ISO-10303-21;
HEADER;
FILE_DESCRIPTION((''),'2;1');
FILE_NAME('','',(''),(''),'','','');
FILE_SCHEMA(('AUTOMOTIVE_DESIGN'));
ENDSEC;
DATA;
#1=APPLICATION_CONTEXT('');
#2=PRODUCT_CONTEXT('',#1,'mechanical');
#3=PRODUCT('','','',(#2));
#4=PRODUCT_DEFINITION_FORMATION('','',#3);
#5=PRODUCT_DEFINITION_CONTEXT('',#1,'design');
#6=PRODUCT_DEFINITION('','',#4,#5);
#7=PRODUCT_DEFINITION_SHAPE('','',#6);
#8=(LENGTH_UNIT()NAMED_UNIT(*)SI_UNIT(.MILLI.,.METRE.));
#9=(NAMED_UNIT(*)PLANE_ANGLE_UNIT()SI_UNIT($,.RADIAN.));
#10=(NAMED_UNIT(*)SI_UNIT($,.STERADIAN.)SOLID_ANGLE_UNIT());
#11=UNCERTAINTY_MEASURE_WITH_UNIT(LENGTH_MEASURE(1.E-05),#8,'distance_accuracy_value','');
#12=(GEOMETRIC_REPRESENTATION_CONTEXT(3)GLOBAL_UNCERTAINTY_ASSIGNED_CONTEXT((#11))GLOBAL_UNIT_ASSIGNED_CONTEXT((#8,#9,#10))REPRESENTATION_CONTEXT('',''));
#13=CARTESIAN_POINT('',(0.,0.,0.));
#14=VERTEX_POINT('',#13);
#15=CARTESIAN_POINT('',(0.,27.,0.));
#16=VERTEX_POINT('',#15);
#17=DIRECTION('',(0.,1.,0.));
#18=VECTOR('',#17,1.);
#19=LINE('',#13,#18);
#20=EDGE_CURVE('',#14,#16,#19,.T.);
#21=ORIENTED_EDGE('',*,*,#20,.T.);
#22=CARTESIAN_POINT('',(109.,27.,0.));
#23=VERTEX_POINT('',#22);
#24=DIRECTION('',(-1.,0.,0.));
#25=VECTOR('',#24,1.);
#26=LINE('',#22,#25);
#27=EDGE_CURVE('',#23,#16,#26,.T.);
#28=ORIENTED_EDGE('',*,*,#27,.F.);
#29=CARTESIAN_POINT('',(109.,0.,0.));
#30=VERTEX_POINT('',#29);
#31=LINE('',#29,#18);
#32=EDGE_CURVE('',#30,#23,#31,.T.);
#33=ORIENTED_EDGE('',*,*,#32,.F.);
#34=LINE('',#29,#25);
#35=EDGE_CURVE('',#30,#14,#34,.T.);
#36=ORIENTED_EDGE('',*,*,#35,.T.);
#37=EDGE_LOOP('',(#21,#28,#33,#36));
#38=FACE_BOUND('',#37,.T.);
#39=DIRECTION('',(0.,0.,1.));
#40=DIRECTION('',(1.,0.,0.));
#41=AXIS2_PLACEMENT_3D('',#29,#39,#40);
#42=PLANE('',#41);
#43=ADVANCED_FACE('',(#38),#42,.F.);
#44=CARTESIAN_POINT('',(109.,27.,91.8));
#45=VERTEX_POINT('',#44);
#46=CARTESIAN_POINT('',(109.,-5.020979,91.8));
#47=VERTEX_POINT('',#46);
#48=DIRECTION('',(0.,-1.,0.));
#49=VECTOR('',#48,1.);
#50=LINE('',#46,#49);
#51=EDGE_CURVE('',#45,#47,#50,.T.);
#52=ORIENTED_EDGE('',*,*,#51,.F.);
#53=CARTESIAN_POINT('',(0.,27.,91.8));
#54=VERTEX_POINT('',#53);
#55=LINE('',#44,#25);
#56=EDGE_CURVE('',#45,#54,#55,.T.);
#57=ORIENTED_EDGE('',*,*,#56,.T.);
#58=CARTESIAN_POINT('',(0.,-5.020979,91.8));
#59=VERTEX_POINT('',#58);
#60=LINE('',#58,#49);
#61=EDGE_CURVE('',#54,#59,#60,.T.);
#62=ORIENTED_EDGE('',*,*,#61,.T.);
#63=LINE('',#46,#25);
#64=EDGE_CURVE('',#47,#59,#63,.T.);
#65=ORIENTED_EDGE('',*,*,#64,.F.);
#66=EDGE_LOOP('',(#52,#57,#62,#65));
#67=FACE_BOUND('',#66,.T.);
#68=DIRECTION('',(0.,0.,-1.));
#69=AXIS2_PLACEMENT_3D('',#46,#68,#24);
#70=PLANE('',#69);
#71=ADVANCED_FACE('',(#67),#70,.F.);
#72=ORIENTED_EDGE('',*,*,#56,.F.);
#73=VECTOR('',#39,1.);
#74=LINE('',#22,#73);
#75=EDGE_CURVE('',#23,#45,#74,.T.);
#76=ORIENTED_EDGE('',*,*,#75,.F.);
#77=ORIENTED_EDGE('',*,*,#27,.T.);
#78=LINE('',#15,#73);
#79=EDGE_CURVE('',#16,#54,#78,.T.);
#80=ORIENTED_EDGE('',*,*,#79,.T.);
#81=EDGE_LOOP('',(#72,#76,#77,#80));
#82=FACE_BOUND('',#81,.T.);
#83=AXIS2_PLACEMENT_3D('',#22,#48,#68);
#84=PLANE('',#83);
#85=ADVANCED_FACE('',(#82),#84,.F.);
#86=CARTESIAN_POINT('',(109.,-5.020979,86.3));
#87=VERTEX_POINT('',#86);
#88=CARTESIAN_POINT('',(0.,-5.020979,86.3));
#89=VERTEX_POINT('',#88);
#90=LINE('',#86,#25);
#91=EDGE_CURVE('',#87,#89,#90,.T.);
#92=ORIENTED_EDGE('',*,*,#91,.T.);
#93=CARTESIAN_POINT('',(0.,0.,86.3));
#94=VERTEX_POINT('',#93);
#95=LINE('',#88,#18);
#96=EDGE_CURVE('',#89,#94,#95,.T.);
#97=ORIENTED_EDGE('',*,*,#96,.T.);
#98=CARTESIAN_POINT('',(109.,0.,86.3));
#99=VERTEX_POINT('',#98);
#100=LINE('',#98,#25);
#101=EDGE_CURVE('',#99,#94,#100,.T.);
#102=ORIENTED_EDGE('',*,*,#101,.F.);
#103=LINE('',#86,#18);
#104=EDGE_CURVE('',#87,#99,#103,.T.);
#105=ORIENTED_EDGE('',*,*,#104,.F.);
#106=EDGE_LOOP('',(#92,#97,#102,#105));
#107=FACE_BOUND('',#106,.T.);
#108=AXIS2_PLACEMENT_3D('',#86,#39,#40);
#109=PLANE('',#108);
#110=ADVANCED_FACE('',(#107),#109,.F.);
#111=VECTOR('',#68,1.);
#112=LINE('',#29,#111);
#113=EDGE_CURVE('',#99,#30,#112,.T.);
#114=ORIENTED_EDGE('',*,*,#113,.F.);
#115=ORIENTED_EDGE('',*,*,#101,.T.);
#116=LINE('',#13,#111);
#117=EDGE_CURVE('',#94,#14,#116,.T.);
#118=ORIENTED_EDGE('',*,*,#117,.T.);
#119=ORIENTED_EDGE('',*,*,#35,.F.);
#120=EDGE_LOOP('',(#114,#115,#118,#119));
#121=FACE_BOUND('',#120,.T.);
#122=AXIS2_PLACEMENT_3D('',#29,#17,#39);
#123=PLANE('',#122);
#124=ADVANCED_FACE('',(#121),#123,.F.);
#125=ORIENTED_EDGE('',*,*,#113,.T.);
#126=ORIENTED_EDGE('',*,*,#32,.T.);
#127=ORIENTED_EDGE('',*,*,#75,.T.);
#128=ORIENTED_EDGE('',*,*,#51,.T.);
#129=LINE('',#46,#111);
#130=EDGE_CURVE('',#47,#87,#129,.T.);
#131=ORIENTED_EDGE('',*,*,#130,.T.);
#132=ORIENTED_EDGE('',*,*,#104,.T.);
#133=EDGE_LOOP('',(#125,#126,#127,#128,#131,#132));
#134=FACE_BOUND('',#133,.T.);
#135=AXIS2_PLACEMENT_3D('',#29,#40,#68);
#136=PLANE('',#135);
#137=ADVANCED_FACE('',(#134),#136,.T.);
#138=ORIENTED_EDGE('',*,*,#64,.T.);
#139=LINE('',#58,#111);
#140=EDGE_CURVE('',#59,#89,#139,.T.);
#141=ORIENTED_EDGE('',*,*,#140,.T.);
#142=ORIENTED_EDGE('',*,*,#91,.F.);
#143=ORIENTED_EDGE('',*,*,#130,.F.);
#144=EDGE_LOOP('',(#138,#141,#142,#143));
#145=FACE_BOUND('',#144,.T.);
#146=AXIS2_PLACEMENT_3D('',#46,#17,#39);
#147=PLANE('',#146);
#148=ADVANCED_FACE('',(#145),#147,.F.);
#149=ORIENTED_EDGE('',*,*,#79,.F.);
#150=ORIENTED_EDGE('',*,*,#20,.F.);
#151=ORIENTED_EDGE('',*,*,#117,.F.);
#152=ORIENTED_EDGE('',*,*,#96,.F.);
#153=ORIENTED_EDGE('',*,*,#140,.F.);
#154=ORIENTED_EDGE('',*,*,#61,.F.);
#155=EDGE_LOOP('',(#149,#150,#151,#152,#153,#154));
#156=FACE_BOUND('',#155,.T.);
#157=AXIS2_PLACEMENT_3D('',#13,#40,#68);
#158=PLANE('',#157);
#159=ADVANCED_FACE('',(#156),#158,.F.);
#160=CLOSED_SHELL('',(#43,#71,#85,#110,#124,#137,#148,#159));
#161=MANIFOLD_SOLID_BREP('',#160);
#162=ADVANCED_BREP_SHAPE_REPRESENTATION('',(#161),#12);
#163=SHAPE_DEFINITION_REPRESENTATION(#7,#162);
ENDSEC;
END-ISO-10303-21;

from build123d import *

# Parameters (mm, degrees)
SALIENTE_EXTRUIR1_DEPTH = 109


with BuildPart() as part:
    # Croquis1 → Saliente-Extruir1 (new body)
    with BuildSketch(Plane(origin=(0, 0, 0), x_dir=(0, 0, -1), z_dir=(1, 0, 0))):
        Polygon((0, 0), (-86.3, 0), (-86.3, -5.020979173), (-91.8, -5.020979173), (-91.8, 27), (0, 27), align=None)
    extrude(amount=SALIENTE_EXTRUIR1_DEPTH)


solid = part.part
